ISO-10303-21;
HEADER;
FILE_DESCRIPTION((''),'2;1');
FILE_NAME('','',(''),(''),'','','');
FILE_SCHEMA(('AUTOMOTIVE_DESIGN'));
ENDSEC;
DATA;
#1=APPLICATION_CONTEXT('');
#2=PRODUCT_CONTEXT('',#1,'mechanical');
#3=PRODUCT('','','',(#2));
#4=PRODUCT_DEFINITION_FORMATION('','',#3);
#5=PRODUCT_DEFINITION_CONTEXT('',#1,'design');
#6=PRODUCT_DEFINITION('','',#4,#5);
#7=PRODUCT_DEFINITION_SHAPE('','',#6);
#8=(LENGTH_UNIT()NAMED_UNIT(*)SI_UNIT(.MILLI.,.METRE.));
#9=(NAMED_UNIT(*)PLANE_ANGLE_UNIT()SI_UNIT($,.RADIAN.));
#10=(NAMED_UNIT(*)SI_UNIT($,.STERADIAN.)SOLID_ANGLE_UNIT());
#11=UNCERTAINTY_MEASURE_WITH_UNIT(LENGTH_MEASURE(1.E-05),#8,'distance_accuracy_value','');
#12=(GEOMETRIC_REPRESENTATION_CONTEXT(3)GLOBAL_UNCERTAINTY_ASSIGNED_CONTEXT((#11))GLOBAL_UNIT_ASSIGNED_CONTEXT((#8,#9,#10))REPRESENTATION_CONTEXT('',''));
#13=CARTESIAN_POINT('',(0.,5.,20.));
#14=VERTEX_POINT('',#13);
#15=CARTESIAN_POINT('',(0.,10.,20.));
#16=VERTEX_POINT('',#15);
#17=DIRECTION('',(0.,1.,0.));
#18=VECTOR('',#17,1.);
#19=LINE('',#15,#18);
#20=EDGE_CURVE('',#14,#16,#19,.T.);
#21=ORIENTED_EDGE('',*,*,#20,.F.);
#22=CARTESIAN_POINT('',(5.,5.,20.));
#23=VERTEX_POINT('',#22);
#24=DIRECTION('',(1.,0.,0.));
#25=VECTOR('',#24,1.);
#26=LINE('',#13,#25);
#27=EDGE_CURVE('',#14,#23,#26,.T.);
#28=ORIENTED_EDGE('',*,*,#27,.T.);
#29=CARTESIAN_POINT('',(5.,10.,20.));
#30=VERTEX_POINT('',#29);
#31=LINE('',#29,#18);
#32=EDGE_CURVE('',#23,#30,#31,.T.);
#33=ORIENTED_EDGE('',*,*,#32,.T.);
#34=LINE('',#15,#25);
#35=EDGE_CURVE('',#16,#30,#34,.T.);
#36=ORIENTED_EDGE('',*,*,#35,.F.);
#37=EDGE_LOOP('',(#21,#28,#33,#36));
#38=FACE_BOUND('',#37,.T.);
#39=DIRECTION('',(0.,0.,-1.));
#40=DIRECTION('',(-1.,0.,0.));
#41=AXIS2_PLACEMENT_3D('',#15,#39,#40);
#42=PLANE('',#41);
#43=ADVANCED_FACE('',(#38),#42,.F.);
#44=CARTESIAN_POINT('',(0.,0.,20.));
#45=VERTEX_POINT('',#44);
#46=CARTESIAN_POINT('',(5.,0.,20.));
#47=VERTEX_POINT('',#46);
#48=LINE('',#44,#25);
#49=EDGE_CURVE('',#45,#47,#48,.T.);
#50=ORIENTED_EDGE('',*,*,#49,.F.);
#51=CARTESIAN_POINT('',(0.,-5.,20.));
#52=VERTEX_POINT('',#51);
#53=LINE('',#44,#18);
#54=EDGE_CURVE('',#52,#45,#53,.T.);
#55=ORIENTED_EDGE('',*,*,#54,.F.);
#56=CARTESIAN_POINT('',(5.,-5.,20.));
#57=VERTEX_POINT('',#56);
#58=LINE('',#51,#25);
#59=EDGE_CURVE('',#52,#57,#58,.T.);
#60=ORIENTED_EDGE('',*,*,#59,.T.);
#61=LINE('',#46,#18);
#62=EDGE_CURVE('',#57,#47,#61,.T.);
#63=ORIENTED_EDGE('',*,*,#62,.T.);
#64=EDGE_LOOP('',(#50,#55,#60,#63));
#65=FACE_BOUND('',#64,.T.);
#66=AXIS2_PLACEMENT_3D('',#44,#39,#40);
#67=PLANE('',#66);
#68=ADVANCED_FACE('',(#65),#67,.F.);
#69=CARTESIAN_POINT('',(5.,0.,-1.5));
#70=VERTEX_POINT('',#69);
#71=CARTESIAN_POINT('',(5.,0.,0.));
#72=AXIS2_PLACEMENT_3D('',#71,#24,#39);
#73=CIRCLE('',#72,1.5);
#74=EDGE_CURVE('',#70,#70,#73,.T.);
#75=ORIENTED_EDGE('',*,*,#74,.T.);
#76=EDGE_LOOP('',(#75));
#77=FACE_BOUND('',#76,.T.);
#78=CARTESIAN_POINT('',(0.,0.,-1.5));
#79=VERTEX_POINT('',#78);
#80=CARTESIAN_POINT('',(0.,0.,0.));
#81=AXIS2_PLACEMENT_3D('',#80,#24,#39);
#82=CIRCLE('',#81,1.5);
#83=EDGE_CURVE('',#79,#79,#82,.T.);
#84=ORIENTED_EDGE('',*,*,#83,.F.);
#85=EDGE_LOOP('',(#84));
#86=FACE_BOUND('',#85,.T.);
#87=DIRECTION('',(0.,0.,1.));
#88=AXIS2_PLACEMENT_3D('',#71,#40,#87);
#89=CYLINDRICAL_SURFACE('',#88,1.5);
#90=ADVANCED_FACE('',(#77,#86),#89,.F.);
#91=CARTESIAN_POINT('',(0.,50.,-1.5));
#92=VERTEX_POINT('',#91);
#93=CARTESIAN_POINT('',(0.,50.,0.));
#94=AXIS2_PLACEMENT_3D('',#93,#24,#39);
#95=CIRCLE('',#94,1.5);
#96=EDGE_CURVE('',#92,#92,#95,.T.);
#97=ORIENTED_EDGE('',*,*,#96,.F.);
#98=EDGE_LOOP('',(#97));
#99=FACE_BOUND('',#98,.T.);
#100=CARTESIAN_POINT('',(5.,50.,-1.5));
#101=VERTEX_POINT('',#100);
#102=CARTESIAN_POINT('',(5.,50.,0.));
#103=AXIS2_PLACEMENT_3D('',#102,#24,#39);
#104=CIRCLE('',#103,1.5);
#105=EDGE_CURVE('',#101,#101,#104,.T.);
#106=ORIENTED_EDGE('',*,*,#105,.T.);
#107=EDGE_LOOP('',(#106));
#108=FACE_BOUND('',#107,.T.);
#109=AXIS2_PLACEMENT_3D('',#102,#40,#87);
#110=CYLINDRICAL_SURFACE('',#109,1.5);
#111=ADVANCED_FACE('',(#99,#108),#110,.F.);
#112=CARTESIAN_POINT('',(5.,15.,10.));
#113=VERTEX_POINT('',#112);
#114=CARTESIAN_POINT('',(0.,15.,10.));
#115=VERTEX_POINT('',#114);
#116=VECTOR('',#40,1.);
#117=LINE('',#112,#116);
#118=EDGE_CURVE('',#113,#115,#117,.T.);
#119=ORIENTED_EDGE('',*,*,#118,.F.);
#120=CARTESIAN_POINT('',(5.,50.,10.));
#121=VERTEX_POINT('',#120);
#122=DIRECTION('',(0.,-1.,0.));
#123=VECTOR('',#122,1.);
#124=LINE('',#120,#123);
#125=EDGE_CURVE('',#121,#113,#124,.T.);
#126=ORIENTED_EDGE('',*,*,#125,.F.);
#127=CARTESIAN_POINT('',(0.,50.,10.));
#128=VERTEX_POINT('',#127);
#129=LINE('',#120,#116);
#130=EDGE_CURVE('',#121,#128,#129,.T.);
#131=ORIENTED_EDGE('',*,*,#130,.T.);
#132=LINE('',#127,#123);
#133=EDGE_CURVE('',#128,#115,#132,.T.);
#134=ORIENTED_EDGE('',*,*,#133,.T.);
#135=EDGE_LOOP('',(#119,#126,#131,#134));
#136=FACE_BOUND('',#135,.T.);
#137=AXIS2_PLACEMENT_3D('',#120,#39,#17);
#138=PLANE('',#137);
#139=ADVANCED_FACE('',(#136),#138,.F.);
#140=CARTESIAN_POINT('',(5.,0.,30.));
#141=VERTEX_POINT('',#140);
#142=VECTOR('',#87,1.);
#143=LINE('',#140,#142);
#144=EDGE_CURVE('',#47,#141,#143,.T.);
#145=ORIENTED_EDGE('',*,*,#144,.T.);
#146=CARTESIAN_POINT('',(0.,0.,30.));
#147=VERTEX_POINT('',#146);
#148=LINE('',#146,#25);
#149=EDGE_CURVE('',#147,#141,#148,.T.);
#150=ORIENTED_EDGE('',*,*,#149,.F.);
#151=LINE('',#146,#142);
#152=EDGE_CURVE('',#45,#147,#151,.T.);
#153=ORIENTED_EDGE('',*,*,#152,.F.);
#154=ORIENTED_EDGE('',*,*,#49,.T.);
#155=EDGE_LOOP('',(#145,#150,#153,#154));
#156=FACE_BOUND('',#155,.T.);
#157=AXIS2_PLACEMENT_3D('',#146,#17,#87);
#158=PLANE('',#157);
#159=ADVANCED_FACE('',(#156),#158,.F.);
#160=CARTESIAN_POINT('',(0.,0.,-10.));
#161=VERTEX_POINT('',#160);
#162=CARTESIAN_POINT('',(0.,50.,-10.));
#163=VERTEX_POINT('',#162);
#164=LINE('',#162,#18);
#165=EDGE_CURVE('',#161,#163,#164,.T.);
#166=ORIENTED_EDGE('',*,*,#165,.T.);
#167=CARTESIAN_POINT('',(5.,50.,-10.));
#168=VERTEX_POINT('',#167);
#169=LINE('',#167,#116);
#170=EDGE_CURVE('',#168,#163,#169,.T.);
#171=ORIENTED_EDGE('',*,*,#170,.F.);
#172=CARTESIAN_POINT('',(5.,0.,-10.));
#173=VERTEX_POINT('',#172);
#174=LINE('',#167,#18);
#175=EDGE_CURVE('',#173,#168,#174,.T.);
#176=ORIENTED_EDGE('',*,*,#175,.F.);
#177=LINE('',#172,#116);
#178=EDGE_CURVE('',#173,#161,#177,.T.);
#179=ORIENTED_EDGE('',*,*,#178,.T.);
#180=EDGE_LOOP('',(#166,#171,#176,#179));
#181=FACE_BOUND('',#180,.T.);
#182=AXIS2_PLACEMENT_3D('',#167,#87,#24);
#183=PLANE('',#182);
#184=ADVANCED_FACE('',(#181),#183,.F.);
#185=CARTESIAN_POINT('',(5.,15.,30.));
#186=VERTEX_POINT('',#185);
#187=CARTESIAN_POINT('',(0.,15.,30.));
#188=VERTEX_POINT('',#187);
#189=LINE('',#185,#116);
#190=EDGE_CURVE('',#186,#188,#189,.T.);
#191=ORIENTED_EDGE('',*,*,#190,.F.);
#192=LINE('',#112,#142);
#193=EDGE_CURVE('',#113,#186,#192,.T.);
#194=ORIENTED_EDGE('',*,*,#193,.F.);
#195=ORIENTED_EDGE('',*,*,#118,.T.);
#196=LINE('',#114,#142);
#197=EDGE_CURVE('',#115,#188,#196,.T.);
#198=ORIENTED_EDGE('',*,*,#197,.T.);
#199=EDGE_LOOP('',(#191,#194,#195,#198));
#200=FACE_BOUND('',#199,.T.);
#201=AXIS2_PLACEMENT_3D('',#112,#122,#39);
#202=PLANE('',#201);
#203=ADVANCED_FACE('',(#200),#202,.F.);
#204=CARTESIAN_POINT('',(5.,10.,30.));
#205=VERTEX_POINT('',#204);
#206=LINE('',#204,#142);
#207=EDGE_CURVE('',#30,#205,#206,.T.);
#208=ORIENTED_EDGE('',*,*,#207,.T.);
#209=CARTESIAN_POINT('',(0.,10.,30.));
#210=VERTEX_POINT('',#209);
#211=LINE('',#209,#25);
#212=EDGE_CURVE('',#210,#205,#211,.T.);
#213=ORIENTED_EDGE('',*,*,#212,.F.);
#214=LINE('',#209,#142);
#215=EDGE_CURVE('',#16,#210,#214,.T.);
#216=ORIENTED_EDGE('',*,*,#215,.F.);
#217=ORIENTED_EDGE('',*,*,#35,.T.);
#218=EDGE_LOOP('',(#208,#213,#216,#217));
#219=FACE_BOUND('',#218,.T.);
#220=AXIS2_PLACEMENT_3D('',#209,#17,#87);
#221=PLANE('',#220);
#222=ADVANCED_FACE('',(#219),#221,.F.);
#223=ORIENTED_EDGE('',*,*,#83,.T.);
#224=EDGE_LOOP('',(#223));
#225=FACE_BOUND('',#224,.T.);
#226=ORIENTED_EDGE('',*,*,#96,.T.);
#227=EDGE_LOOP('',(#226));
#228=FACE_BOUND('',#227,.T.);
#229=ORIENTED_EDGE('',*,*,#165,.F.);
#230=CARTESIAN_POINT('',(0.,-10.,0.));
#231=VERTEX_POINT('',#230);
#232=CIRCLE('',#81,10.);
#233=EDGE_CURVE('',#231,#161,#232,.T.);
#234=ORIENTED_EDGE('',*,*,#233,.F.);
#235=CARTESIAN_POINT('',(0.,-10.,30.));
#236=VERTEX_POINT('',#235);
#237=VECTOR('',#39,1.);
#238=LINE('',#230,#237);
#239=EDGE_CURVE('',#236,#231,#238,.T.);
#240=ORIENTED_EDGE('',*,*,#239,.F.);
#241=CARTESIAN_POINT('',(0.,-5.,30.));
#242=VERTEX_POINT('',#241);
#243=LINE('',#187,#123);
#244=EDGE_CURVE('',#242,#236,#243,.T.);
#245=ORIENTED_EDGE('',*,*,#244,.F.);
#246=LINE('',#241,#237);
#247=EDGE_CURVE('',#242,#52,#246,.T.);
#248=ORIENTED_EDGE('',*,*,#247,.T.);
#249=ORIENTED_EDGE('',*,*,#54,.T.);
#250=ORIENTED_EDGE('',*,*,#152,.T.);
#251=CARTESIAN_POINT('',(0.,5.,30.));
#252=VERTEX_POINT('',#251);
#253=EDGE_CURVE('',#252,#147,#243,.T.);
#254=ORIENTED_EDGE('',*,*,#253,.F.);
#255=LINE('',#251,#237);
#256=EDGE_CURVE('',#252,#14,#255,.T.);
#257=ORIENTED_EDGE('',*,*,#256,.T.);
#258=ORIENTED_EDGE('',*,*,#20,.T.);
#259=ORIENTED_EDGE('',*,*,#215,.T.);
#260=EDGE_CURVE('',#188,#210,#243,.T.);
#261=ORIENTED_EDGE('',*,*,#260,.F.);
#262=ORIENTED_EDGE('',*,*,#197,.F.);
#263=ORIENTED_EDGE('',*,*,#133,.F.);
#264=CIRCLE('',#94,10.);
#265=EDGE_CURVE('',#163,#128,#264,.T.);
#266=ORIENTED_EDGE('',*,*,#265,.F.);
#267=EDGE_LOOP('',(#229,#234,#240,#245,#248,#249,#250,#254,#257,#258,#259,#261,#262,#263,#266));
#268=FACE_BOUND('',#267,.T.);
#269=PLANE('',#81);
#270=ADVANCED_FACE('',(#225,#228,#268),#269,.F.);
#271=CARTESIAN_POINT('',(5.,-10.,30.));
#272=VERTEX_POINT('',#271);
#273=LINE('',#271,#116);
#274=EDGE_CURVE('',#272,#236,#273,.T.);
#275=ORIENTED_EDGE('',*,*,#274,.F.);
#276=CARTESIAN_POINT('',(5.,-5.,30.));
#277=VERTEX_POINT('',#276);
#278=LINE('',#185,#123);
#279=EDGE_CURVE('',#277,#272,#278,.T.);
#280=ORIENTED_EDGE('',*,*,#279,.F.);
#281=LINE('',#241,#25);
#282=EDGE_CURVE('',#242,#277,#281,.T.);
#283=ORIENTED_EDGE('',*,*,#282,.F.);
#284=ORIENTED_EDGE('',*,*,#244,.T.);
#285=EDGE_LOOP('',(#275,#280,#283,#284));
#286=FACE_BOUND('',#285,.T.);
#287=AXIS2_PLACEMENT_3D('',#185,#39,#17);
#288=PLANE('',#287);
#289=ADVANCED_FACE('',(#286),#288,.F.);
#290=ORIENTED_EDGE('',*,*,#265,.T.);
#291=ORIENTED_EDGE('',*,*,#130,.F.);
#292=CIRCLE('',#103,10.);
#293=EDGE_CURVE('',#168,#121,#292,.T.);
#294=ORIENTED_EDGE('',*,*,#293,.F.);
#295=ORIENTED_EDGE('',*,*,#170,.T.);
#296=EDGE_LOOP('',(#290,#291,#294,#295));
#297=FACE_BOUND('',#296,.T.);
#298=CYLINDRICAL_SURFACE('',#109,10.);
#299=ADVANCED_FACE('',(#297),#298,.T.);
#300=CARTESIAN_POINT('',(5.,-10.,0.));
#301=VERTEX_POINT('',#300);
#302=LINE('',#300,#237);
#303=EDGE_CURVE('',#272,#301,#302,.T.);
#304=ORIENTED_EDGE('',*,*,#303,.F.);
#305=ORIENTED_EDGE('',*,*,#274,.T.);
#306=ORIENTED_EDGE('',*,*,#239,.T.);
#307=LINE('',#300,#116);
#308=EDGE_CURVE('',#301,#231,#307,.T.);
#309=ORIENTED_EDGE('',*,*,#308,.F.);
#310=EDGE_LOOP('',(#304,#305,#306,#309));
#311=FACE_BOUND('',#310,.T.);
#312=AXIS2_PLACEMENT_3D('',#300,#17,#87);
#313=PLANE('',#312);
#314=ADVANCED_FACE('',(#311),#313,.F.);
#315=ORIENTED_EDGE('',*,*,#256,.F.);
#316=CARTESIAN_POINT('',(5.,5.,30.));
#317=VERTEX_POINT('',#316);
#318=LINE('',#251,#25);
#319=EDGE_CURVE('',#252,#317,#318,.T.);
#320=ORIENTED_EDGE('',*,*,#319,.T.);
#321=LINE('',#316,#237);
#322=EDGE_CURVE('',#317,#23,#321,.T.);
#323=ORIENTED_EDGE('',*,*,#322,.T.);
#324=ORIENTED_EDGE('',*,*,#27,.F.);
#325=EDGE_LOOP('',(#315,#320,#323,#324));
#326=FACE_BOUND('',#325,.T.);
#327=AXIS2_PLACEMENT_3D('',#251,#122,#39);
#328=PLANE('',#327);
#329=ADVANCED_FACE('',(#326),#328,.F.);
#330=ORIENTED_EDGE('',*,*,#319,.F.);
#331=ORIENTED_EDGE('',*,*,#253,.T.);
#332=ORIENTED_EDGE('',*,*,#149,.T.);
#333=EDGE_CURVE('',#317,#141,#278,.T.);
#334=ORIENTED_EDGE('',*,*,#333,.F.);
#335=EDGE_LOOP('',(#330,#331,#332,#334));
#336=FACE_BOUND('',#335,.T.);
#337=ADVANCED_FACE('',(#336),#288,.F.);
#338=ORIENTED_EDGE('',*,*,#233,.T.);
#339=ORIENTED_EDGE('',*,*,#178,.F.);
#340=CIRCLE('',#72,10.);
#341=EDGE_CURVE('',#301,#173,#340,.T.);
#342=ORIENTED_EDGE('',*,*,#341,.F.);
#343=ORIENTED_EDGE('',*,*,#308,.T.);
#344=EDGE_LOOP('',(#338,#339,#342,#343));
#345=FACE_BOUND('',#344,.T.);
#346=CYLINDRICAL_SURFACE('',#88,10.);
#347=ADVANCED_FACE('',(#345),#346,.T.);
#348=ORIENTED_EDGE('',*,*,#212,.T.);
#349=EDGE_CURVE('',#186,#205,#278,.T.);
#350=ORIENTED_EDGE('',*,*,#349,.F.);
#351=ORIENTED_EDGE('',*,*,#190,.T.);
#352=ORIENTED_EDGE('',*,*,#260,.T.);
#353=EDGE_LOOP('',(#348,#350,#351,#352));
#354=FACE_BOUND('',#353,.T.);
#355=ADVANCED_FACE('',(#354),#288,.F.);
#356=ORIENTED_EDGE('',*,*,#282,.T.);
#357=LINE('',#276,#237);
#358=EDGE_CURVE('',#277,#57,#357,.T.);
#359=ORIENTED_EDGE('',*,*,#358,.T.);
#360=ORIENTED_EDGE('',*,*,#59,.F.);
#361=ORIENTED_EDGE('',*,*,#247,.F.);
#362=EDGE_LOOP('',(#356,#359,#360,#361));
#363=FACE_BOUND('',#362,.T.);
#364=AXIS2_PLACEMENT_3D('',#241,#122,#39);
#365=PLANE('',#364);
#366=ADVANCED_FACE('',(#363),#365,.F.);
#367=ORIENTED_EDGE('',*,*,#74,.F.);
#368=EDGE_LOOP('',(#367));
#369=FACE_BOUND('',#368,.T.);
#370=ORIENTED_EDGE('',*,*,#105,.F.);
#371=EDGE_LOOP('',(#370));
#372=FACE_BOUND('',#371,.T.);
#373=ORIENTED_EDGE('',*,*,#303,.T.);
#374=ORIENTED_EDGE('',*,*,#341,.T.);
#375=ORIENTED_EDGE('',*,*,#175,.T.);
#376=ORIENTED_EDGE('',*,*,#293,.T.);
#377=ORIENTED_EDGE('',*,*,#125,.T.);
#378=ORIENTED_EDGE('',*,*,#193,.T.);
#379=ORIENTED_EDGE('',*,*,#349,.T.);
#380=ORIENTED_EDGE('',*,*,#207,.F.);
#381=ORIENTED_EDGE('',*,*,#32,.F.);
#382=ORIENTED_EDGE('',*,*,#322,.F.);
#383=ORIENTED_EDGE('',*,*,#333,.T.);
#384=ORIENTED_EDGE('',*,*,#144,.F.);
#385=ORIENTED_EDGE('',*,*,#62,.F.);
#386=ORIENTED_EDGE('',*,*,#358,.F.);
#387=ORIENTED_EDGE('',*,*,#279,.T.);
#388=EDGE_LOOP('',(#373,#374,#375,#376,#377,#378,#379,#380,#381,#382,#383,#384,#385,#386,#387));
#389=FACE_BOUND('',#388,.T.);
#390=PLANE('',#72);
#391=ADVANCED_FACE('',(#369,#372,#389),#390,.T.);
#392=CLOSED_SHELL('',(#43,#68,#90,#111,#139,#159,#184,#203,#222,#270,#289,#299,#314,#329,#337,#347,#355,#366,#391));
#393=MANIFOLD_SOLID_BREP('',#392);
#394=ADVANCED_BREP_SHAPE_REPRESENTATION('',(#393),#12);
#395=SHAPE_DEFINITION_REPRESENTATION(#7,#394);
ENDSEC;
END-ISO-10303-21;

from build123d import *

# Parameters (mm, degrees)
SKETCH1_R           = 1.5
BOSS_EXTRUDE1_DEPTH = 5
SKETCH2_W           = 10
SKETCH2_H           = 5
CUT_EXTRUDE1_DEPTH  = 5


with BuildPart() as part:
    # Sketch1 → Boss-Extrude1 (new body)
    with BuildSketch(Plane(origin=(0, 0, 0), x_dir=(0, 0, -1), z_dir=(1, 0, 0))):
        with BuildLine():
            Line((-10, 15), (-30, 15))
            Line((-30, 15), (-30, -10))
            Line((-30, -10), (0, -10))
            ThreePointArc((0, -10), (7.071067812, -7.071067812), (10, 0))
            Line((10, 0), (10, 50))
            ThreePointArc((10, 50), (0, 60), (-10, 50))
            Line((-10, 50), (-10, 15))
        make_face()
        with Locations((0, 50)):
            Circle(SKETCH1_R, mode=Mode.SUBTRACT)
        Circle(SKETCH1_R, mode=Mode.SUBTRACT)
    extrude(amount=BOSS_EXTRUDE1_DEPTH)

    # Sketch2 → Cut-Extrude1 (cut)
    with BuildSketch(Plane(origin=(5, 0, 0), x_dir=(0, 0, -1), z_dir=(1, 0, 0))):
        with Locations((-25, 7.5)):
            Rectangle(SKETCH2_W, SKETCH2_H)
        with Locations((-25, -2.5)):
            Rectangle(SKETCH2_W, SKETCH2_H)
    extrude(amount=-CUT_EXTRUDE1_DEPTH, mode=Mode.SUBTRACT)


solid = part.part
